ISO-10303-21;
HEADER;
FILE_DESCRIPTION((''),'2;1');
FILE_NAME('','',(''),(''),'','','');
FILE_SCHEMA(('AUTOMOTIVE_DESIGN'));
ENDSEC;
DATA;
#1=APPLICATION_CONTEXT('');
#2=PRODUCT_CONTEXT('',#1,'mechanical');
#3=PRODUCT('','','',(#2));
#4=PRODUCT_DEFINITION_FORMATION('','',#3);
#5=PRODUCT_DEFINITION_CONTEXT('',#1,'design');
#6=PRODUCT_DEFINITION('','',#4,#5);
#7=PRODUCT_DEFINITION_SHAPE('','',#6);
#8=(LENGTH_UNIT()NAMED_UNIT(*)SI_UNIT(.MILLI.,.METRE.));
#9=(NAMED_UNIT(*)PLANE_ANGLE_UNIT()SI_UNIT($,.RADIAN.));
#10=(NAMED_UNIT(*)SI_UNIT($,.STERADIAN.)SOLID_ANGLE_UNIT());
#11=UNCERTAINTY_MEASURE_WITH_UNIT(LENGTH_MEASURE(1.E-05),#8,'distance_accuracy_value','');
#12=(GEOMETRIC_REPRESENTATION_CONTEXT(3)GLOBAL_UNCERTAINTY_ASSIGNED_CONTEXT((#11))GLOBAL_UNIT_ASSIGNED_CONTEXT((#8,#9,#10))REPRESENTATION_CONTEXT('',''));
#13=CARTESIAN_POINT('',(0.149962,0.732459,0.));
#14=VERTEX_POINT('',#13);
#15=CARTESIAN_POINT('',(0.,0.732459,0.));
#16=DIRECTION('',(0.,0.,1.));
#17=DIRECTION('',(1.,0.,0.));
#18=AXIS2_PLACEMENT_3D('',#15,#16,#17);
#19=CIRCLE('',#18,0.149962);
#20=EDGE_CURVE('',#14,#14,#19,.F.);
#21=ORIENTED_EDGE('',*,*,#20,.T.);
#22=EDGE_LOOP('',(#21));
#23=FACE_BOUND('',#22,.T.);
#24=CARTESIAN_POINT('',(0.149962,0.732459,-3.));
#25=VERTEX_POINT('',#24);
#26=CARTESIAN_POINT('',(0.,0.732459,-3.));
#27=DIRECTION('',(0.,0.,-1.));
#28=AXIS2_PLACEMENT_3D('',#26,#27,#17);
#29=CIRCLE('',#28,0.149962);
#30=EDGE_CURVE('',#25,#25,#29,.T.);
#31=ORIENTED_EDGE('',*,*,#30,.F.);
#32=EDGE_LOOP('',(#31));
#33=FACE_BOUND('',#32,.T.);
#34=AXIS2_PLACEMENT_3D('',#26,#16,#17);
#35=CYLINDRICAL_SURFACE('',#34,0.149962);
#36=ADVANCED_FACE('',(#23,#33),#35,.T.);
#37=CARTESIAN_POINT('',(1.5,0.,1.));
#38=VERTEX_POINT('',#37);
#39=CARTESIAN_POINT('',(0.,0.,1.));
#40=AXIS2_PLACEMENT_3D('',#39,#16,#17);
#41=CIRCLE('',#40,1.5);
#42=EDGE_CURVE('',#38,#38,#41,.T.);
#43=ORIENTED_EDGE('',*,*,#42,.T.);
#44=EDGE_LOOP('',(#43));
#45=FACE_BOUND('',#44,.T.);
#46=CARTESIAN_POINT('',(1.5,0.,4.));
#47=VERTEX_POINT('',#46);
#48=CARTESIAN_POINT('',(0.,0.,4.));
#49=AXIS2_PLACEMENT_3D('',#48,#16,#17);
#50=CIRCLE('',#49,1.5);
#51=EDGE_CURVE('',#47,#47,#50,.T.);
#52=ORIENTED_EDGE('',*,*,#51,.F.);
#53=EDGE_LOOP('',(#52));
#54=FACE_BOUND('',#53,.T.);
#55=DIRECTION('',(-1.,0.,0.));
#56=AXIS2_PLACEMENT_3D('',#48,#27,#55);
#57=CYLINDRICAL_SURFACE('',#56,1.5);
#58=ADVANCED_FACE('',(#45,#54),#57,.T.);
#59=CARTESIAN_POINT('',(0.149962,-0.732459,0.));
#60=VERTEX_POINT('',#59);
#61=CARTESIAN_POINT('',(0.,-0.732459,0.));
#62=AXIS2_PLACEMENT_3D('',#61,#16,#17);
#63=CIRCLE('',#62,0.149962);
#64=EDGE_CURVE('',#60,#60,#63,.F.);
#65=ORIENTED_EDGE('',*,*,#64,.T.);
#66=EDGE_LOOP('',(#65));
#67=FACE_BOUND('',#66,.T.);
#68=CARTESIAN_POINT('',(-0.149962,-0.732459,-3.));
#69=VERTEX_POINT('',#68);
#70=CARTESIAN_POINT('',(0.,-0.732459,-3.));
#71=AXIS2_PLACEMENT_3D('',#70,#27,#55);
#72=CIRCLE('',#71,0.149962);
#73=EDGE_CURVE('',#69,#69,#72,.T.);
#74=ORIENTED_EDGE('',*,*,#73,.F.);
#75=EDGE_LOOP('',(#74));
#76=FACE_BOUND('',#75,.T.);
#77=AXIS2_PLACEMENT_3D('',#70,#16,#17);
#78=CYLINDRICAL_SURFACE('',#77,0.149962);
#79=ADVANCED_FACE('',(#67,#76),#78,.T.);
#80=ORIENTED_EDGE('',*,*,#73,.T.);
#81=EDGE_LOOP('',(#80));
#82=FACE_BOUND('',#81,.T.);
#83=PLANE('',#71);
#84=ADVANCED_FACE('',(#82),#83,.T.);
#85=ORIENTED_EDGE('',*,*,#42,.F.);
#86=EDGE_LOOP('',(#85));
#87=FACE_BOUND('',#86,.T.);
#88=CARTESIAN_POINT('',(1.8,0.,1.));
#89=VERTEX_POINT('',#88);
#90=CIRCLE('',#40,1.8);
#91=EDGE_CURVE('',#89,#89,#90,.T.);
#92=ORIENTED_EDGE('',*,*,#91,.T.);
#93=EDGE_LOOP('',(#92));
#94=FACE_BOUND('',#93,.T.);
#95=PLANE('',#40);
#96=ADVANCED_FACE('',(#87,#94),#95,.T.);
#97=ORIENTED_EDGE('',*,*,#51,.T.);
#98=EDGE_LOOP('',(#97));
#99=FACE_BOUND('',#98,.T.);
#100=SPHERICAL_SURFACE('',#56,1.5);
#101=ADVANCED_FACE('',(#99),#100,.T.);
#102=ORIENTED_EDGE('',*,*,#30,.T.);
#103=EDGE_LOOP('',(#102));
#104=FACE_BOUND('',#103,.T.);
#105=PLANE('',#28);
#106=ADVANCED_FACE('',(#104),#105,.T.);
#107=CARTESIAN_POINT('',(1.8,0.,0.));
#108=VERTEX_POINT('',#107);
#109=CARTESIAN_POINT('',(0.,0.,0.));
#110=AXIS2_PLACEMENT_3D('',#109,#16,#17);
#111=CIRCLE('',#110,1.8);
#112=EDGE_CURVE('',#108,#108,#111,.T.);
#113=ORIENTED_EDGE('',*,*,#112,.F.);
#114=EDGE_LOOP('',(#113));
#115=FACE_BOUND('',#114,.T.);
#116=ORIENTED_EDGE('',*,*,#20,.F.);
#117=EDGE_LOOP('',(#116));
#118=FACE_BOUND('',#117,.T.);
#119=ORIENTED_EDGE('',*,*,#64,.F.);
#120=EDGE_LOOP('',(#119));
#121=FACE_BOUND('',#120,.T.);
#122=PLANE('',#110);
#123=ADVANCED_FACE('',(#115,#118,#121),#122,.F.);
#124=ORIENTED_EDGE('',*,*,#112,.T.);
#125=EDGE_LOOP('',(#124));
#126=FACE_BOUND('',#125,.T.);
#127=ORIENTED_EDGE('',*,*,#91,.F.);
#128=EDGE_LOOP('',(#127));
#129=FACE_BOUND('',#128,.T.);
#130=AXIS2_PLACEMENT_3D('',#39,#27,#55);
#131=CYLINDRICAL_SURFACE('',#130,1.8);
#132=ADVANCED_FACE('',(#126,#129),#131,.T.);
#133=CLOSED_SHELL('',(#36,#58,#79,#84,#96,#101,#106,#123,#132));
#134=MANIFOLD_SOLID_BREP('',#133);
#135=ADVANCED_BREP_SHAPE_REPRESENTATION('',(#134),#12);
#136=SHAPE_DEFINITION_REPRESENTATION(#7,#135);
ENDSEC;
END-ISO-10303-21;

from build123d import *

# Parameters (mm, degrees)
ESQUISSE1_R                  = 1.8
BOSS_EXTRU_1_DEPTH           = 1
ESQUISSE2_R                  = 1.5
BOSS_EXTRU_2_DEPTH           = 3
ESQUISSE4_R                  = 0.14996248625265898
BOSS_EXTRU_3_DEPTH           = 3
R_P_TITION_CIRCULAIRE1_COUNT = 2


with BuildPart() as part:
    # Esquisse1 → Boss.-Extru.1 (new body)
    with BuildSketch(Plane.XY):
        Circle(ESQUISSE1_R)
    extrude(amount=BOSS_EXTRU_1_DEPTH)

    # Esquisse2 → Boss.-Extru.2 (add)
    with BuildSketch(Plane.XY.offset(1)):
        Circle(ESQUISSE2_R)
    extrude(amount=BOSS_EXTRU_2_DEPTH)

    # Esquisse4 → Boss.-Extru.3 (add)
    with BuildSketch(Plane(origin=(0, 0, 0), x_dir=(-1, 0, 0), z_dir=(0, 0, -1))):
        with Locations((0, -0.7324588375787755)):
            Circle(ESQUISSE4_R)
    boss_extru_3 = extrude(amount=BOSS_EXTRU_3_DEPTH)

    # Esquisse3 → Révolution7 (revolve)
    with BuildSketch(Plane(origin=(0, 0, 0), x_dir=(1, 0, 0), z_dir=(0, 1, 0))):
        with BuildLine():
            Line((0, -4), (-1.5000000000000002, -4))
            ThreePointArc((-1.5, -4), (-1.060660171779821, -5.060660171779822), (7e-17, -5.500000000000001))
            Line((0, -5.500000000000001), (0, -4))
        make_face()
    revolve(axis=Axis((0, 0, -0.2750000000000001), (0, 0, 1)))

    # Répétition circulaire1: Boss.-Extru.3 ×2 about axis
    r_p_tition_circulaire1_axis = Axis((0, 0, -0.2750000000000001), (0, 0, 1))
    for i in range(1, R_P_TITION_CIRCULAIRE1_COUNT):
        add(boss_extru_3.rotate(r_p_tition_circulaire1_axis, i * 360 / R_P_TITION_CIRCULAIRE1_COUNT))


solid = part.part
